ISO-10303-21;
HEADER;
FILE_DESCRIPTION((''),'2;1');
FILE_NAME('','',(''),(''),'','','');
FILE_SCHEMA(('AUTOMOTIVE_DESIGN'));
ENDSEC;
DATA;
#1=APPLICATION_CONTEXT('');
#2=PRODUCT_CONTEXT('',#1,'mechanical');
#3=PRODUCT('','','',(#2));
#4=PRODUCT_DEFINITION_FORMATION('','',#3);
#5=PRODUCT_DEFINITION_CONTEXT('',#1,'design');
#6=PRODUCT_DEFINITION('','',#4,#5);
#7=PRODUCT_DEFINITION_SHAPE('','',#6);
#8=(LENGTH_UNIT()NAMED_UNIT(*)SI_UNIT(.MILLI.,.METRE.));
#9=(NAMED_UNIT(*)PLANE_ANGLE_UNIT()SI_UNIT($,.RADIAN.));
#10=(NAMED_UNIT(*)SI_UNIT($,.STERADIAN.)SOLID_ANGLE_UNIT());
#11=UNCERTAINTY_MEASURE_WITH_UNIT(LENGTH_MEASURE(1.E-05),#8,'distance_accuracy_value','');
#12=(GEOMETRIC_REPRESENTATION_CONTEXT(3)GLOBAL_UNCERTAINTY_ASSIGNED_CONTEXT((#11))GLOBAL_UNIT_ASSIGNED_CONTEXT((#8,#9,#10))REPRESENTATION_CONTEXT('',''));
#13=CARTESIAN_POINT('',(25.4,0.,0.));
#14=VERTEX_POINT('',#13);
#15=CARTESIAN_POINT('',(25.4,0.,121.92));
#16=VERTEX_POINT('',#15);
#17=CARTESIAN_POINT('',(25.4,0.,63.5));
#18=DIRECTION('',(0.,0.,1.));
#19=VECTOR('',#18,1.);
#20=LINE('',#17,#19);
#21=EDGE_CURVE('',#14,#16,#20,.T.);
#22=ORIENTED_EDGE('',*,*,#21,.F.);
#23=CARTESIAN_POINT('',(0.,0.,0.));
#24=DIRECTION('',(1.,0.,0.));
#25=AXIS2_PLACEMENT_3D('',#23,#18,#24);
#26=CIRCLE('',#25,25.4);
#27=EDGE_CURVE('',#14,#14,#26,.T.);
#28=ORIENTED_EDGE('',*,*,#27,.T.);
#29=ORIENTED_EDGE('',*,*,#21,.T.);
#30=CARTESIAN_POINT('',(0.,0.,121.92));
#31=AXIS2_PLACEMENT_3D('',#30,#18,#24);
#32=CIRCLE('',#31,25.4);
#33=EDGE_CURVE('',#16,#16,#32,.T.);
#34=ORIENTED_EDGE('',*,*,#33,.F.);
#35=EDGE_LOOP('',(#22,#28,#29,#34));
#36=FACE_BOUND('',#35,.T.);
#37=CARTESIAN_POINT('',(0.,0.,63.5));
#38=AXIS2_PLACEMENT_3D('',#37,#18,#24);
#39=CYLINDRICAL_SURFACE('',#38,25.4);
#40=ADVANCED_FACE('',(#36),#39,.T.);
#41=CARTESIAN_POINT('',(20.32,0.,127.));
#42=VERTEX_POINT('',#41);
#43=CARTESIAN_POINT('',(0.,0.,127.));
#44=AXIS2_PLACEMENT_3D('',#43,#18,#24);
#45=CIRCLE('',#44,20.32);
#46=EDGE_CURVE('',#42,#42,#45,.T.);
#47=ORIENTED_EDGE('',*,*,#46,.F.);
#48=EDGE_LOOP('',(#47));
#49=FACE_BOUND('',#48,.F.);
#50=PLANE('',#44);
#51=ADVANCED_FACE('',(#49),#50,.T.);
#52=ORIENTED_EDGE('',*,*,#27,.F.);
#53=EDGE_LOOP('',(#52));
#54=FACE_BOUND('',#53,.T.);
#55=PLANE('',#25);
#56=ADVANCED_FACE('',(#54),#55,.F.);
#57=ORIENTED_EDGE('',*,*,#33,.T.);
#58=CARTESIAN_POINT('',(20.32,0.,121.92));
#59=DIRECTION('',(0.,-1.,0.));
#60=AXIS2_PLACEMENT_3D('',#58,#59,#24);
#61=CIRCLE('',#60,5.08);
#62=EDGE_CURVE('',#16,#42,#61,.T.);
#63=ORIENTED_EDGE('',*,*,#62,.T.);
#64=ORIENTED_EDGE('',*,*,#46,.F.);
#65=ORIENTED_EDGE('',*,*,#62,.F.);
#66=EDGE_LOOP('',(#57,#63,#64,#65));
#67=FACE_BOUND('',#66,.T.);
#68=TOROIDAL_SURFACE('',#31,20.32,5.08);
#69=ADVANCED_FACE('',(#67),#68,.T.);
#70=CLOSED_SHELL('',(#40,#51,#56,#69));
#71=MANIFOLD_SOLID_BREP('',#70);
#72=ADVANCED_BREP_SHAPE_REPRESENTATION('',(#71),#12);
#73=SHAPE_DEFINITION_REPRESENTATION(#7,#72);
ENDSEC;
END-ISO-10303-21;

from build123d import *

# Parameters (mm, degrees)
F0_W = 25.4
F0_H = 127
F2_R = 5.08


with BuildPart() as f1:
    # F0 (on Front) → F1 (revolve)
    with BuildSketch(Plane.XZ):
        with Locations((12.7, 63.5)):
            Rectangle(F0_W, F0_H)
    revolve(axis=Axis((0, 0, 63.5), (0, 0, 1)))

    # F2
    f2_edges = [f1.edges().sort_by_distance(p)[0] for p in [
        (-25.4, 0, 127),
    ]]
    fillet(f2_edges, radius=F2_R)


solid = f1.part
